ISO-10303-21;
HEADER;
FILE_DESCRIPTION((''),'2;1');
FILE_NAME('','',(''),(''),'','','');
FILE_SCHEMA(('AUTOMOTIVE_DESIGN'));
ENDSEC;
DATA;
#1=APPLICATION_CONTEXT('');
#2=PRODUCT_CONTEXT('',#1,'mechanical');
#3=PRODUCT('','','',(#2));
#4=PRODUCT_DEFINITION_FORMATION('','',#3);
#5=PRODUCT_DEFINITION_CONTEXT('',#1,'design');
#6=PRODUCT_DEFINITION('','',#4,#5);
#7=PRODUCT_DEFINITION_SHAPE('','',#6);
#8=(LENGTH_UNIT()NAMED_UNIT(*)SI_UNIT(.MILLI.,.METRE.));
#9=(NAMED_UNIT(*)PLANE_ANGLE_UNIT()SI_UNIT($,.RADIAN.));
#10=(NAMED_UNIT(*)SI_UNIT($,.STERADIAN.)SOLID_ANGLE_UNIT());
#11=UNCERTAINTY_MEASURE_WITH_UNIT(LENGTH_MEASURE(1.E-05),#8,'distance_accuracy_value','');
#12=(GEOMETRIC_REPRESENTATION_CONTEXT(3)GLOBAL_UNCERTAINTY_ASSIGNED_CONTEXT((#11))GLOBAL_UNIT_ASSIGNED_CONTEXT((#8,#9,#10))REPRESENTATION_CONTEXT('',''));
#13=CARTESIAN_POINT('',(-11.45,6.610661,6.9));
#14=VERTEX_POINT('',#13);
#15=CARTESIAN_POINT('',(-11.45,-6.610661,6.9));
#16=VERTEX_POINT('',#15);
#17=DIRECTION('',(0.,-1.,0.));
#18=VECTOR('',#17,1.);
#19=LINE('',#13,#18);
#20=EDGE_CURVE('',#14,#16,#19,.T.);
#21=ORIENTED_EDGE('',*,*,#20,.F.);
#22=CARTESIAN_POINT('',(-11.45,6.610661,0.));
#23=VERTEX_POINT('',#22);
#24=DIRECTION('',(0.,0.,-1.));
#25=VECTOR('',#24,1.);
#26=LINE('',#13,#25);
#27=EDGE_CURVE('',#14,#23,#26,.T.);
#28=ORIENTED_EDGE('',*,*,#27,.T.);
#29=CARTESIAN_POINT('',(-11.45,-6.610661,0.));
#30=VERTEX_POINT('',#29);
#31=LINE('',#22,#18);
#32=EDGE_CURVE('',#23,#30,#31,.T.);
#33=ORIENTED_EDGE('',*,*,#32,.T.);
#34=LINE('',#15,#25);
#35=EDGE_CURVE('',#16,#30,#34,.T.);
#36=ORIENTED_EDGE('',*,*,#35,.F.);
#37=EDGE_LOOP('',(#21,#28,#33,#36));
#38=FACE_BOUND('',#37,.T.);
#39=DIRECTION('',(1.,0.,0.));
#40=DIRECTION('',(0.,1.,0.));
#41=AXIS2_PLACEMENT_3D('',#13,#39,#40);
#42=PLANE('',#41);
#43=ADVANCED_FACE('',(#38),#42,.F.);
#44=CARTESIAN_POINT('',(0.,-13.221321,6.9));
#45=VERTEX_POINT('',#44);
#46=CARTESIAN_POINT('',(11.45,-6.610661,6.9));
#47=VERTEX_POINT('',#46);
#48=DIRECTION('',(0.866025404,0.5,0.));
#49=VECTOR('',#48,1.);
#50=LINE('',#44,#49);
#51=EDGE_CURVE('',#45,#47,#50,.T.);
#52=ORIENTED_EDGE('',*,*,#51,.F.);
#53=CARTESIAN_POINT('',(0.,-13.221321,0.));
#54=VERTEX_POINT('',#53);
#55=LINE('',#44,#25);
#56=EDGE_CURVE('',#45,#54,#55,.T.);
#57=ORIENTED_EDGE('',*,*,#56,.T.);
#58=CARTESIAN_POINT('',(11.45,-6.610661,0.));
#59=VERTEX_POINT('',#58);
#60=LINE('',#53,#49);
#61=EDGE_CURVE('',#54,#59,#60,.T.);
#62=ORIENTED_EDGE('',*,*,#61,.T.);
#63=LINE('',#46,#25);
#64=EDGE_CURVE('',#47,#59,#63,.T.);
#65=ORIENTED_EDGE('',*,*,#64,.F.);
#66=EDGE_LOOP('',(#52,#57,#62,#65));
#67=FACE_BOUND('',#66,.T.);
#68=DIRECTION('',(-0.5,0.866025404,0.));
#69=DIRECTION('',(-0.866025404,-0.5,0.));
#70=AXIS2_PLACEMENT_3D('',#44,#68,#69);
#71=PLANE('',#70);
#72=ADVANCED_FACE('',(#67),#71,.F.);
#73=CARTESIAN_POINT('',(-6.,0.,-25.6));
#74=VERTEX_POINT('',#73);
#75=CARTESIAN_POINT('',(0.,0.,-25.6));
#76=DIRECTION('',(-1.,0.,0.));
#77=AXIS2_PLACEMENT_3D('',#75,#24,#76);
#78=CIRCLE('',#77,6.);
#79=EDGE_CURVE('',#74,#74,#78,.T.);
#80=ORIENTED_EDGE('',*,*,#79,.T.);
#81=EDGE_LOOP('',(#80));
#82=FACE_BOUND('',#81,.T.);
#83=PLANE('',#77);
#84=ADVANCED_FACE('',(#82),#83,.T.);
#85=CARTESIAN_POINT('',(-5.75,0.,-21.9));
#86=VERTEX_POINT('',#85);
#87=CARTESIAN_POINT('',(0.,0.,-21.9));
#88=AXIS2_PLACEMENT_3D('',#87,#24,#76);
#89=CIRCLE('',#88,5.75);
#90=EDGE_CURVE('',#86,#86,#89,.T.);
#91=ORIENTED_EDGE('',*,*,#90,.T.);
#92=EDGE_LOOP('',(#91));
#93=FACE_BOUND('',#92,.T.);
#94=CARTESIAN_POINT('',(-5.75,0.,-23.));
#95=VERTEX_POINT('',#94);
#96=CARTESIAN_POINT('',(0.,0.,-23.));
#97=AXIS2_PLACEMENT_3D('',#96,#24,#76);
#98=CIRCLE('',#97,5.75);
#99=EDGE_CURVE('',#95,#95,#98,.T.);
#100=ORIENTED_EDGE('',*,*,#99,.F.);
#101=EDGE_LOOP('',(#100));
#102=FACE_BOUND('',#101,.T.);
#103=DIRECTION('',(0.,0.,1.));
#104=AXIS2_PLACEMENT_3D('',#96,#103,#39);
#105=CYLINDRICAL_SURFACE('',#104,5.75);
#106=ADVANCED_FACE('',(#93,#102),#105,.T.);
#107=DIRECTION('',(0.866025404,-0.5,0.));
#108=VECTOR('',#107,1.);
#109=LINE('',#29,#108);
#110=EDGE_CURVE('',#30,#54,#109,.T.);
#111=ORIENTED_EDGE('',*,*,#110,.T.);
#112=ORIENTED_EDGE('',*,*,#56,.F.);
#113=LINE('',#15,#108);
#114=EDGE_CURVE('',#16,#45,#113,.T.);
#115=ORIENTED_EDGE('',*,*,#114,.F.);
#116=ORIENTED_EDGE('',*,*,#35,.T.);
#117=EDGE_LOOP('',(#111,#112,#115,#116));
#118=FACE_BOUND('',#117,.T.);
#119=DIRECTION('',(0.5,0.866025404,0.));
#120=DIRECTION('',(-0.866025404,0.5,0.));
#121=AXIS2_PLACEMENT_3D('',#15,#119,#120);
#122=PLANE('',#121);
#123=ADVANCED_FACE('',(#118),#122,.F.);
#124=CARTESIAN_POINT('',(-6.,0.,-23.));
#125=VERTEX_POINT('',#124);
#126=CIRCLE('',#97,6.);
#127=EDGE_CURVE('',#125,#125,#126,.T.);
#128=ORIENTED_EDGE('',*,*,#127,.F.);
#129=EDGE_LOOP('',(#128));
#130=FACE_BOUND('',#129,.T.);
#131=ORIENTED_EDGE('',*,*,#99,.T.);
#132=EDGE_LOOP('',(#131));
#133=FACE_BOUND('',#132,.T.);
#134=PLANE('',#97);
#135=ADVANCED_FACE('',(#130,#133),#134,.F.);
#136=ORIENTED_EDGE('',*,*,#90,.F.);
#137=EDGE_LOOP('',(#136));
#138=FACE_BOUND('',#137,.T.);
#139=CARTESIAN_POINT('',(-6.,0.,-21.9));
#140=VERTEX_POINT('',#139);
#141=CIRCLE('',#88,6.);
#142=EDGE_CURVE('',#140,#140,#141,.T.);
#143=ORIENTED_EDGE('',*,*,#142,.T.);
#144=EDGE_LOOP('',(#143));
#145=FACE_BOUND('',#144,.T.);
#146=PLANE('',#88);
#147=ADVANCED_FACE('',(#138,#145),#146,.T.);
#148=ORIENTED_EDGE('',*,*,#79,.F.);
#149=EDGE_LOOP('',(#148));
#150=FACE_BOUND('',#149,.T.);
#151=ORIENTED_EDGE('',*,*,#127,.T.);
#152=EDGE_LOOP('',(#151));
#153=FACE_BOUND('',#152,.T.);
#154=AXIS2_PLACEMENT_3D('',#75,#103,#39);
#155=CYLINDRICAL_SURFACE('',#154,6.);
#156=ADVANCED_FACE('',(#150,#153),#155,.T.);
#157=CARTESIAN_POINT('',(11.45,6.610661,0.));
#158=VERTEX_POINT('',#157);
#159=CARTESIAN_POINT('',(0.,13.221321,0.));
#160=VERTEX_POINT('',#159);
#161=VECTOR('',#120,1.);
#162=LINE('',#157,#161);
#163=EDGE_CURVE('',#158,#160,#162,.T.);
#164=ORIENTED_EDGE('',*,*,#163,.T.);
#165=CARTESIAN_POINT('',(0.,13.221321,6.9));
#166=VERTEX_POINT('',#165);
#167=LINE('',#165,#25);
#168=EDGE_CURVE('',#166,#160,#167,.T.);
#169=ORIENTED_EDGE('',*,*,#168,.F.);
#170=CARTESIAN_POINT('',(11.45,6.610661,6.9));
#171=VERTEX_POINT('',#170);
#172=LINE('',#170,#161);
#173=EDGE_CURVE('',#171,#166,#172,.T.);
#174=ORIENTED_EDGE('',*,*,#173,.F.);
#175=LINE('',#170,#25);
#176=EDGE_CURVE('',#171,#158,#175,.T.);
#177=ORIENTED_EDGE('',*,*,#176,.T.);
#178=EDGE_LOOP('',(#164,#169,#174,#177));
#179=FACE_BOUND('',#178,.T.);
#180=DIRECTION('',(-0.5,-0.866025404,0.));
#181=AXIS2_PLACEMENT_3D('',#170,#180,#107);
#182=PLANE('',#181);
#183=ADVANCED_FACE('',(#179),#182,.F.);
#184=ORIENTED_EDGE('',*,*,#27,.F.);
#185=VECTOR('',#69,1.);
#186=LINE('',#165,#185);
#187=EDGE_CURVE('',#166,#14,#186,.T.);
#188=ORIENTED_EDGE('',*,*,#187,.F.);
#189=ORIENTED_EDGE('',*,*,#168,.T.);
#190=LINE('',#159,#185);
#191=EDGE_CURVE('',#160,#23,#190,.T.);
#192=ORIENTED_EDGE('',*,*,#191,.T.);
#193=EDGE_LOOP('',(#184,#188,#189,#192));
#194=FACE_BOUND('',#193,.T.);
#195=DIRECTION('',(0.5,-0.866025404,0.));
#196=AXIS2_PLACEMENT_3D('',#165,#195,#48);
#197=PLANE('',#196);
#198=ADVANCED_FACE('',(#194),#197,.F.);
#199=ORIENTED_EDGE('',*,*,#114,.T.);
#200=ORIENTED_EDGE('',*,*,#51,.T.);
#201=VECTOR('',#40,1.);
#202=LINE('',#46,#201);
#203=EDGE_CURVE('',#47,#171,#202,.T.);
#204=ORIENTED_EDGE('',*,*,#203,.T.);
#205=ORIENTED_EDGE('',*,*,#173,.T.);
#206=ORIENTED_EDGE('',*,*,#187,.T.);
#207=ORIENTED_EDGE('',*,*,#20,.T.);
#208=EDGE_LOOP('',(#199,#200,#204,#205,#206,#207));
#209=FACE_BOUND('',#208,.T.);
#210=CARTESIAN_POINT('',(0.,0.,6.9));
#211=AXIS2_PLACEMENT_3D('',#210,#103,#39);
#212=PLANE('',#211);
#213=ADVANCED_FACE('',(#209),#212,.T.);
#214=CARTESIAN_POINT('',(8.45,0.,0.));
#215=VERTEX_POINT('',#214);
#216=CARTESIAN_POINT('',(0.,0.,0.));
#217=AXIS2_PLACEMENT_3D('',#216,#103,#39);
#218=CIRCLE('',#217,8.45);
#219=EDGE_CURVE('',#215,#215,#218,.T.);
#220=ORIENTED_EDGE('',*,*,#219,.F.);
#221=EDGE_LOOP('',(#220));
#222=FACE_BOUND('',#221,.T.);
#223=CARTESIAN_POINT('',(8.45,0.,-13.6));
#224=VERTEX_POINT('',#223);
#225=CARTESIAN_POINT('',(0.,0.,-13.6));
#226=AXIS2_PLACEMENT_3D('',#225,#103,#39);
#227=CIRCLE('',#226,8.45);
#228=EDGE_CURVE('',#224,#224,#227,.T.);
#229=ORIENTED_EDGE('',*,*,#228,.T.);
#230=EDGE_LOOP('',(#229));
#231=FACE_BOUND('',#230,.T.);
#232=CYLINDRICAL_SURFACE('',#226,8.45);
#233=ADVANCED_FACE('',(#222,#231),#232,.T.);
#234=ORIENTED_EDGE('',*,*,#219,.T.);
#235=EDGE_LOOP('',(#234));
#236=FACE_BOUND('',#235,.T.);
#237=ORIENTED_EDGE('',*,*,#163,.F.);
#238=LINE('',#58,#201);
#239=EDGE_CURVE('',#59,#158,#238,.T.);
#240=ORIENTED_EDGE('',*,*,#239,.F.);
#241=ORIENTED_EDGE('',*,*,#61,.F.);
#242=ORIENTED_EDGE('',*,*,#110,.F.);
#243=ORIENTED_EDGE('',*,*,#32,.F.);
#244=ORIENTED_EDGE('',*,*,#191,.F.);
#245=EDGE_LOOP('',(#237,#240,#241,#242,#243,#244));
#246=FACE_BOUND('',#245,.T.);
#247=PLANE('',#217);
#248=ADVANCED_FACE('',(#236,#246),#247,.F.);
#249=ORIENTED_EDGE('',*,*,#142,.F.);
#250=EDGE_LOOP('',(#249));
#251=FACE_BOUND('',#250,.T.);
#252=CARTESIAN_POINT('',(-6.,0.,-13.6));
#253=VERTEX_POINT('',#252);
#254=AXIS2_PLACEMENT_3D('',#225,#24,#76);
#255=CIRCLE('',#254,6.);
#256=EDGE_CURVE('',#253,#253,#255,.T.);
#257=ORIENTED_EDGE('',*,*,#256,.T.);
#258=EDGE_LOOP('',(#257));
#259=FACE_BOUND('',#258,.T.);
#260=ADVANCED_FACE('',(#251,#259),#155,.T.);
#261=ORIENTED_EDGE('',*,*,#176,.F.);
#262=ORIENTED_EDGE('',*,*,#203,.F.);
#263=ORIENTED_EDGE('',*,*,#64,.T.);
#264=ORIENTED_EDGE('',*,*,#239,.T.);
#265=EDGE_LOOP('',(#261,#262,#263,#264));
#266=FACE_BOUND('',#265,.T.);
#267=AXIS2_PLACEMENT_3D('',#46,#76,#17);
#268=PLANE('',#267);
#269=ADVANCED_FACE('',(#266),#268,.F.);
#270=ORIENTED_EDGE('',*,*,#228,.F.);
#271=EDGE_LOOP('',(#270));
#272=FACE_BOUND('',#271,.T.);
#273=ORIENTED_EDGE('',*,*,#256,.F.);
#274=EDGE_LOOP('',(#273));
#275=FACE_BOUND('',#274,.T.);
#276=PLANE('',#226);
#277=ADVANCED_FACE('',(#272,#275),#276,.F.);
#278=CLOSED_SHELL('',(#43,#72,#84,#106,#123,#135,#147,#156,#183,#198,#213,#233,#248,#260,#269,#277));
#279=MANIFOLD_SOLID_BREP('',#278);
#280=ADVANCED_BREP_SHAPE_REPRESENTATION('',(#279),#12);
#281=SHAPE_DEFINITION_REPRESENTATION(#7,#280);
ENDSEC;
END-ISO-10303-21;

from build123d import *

# Parameters (mm, degrees)
SKETCH1_R           = 8.45
BOSS_EXTRUDE1_DEPTH = 13.6
BOSS_EXTRUDE2_DEPTH = 6.9
SKETCH3_R           = 6
BOSS_EXTRUDE3_DEPTH = 12
SKETCH5_R           = 6
SKETCH5_R_2         = 5.75
CUT_EXTRUDE1_DEPTH  = 1.1


with BuildPart() as part:
    # Sketch1 → Boss-Extrude1 (new body)
    with BuildSketch(Plane.XY):
        Circle(SKETCH1_R)
    extrude(amount=-BOSS_EXTRUDE1_DEPTH)

    # Sketch2 → Boss-Extrude2 (add)
    with BuildSketch(Plane.XY):
        Polygon((0, 13.221321164), (-11.45, 6.610660582), (-11.45, -6.610660582), (0, -13.221321164), (11.45, -6.610660582), (11.45, 6.610660582), align=None)
    extrude(amount=BOSS_EXTRUDE2_DEPTH)

    # Sketch3 → Boss-Extrude3 (add)
    with BuildSketch(Plane(origin=(0, 0, -13.6), x_dir=(-1, 0, 0), z_dir=(0, 0, -1))):
        Circle(SKETCH3_R)
    extrude(amount=BOSS_EXTRUDE3_DEPTH)

    # Sketch5 → Cut-Extrude1 (cut)
    with BuildSketch(Plane(origin=(0, 0, -21.9), x_dir=(-1, 0, 0), z_dir=(0, 0, -1))):
        Circle(SKETCH5_R)
        Circle(SKETCH5_R_2, mode=Mode.SUBTRACT)
    extrude(amount=CUT_EXTRUDE1_DEPTH, mode=Mode.SUBTRACT)


solid = part.part
